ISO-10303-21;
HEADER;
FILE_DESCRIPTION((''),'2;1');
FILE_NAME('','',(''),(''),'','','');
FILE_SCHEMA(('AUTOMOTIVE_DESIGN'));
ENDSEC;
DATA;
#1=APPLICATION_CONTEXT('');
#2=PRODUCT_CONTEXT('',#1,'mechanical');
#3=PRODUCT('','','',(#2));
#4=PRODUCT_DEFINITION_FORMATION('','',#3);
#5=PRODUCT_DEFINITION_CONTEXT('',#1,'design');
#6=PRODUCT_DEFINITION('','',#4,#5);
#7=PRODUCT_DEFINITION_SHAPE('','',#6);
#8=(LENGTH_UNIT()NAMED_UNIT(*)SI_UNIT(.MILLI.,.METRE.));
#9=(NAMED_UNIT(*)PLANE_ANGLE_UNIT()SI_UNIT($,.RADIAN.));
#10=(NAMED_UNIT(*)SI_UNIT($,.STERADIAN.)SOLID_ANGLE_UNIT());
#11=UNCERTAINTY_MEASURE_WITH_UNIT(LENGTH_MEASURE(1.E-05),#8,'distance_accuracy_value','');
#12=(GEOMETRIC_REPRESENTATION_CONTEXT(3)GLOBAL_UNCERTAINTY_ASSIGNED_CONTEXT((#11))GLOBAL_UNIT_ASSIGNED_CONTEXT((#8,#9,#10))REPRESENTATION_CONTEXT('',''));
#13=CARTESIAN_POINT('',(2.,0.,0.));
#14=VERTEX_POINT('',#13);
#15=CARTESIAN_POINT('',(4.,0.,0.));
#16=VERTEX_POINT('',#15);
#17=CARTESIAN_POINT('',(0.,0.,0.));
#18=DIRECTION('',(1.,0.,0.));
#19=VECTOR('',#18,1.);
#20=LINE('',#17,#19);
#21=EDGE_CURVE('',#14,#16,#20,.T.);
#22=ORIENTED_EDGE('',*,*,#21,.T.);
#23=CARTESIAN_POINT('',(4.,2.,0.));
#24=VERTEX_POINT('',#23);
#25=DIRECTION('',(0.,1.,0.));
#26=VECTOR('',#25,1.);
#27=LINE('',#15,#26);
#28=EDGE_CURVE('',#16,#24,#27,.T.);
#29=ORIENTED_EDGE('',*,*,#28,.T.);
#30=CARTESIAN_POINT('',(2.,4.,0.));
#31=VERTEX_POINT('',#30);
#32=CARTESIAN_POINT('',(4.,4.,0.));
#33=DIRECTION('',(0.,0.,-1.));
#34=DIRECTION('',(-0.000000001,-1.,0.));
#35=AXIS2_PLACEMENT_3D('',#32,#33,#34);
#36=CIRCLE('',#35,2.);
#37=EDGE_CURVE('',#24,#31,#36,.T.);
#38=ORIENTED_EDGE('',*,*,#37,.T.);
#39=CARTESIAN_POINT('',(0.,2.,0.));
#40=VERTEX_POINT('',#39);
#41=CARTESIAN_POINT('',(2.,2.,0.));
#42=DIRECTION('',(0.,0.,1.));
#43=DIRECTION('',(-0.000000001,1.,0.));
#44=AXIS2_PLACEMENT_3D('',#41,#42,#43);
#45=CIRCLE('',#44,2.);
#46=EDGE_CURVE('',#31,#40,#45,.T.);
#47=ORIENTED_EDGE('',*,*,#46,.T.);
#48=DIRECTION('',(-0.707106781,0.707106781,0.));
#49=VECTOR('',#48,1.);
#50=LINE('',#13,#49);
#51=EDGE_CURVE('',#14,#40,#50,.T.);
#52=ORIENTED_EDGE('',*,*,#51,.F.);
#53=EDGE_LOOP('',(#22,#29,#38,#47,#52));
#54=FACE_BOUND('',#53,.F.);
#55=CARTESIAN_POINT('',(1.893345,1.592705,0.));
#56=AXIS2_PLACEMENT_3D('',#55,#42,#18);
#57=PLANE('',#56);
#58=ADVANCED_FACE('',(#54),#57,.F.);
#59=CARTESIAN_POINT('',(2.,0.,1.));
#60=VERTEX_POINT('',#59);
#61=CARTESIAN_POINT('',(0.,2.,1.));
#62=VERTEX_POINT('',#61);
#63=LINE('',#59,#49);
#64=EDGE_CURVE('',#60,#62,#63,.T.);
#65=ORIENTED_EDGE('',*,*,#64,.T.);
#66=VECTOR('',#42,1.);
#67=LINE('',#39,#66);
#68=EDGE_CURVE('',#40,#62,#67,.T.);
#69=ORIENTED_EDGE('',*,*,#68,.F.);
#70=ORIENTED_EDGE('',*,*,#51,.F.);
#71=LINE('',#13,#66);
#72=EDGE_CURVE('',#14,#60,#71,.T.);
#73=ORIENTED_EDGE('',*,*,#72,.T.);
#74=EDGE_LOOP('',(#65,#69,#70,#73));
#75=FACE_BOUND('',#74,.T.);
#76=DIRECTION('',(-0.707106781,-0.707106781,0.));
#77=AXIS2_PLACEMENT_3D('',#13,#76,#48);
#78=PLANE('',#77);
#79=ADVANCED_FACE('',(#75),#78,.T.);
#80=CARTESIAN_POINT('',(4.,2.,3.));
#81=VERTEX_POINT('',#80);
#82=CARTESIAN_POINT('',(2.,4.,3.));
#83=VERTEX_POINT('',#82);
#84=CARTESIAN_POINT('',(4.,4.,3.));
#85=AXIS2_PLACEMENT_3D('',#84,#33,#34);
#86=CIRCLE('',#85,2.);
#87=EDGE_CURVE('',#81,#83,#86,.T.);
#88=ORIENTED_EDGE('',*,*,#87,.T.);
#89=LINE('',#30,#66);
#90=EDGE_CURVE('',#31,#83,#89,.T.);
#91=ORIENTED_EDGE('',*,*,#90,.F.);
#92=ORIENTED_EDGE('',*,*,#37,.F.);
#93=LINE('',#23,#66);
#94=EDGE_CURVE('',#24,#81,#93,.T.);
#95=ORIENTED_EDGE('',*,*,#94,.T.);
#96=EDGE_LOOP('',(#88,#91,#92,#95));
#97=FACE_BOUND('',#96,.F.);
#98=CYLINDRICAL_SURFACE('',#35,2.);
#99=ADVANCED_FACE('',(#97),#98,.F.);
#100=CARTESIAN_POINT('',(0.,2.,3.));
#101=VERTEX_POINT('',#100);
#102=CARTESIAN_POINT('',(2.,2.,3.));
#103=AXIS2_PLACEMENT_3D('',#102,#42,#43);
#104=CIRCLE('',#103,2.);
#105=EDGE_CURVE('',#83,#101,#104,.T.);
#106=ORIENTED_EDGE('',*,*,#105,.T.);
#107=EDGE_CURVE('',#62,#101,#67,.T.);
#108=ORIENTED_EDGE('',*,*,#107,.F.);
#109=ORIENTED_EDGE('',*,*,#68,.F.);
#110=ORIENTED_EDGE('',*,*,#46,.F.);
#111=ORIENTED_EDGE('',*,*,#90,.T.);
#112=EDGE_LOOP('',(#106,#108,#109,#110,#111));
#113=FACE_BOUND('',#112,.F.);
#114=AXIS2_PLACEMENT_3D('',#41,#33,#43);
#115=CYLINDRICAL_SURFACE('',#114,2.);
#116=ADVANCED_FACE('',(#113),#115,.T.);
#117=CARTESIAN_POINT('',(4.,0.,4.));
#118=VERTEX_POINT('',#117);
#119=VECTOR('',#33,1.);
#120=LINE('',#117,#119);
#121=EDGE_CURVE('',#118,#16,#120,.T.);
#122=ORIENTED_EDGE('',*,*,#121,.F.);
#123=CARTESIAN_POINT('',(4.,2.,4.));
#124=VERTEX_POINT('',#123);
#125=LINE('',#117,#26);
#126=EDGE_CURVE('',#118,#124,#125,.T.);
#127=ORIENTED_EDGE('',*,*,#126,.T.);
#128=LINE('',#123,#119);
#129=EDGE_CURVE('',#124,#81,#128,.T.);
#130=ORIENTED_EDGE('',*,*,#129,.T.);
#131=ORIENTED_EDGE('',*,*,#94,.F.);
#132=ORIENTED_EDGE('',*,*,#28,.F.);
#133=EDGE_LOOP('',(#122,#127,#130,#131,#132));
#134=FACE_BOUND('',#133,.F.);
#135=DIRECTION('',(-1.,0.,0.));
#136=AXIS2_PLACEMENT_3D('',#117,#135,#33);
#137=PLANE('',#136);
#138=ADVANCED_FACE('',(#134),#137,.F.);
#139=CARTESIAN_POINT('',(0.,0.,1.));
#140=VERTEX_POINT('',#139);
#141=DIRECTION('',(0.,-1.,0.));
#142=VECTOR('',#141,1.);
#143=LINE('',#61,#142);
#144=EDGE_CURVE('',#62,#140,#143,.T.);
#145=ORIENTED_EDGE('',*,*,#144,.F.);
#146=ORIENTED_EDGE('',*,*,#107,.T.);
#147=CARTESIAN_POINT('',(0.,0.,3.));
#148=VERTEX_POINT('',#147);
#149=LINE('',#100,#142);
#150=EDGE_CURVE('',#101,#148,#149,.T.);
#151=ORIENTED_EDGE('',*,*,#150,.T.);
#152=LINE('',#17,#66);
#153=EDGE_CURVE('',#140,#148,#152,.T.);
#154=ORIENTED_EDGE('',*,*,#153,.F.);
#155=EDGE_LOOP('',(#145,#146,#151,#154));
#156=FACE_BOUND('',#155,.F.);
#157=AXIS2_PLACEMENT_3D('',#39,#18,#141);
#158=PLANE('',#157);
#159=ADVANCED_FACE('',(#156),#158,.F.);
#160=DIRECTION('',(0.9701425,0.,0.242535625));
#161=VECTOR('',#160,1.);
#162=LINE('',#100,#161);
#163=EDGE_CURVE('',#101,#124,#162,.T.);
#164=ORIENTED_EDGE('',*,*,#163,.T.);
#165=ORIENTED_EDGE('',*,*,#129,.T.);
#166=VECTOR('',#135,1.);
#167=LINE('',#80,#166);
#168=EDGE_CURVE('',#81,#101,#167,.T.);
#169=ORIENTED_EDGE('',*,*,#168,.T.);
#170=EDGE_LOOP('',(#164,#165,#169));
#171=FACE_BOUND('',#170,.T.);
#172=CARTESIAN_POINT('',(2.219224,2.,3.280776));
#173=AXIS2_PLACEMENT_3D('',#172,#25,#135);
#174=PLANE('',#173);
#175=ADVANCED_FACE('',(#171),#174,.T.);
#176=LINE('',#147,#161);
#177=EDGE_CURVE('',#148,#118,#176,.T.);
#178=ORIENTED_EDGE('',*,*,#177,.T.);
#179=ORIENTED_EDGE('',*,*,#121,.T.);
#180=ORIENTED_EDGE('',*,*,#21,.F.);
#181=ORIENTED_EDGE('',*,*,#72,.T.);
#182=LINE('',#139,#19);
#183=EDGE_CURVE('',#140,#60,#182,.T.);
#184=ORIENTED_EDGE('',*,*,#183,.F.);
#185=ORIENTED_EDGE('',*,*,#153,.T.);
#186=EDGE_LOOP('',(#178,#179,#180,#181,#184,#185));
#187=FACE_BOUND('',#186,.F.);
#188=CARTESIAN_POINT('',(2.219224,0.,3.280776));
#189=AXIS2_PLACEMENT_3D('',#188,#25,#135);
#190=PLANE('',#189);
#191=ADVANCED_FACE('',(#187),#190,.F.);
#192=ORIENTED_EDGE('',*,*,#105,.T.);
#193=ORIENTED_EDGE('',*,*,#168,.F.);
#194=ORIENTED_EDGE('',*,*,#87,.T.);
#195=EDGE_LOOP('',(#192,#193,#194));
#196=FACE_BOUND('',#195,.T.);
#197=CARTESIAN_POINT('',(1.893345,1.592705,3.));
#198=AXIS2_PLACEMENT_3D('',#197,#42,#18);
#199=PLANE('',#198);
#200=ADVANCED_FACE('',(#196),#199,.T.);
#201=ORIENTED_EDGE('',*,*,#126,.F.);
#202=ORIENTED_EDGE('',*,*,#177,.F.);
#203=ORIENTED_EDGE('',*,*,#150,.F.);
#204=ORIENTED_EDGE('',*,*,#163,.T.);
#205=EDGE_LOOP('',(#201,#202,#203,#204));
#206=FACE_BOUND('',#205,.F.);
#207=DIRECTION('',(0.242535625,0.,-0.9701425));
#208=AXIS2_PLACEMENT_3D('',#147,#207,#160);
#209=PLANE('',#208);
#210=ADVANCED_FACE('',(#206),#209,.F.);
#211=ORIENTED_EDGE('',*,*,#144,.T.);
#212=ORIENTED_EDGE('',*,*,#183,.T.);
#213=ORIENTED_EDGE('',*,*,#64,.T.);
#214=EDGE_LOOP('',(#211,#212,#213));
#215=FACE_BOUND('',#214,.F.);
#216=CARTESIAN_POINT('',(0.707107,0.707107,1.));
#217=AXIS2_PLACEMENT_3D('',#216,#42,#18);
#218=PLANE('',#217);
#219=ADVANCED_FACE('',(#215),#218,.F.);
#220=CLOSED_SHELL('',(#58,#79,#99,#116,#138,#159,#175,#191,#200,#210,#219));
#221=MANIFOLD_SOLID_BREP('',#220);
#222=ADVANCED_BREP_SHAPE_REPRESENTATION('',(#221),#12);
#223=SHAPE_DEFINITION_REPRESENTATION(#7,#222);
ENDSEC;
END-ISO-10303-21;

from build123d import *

# Parameters (mm, degrees)
BOSS_EXTRUDE1_DEPTH = 3
BOSS_EXTRUDE2_DEPTH = 2
CUT_EXTRUDE1_DEPTH  = 1


with BuildPart() as part:
    # Sketch1 → Boss-Extrude1 (new body)
    with BuildSketch(Plane.XY):
        with BuildLine():
            Line((0, 0), (4, 0))
            Line((4, 0), (4, 2))
            ThreePointArc((4, 2), (2.585786438, 2.585786438), (2, 4))
            ThreePointArc((2, 4), (0.585786438, 3.414213562), (0, 2))
            Line((0, 2), (0, 0))
        make_face()
    extrude(amount=BOSS_EXTRUDE1_DEPTH)

    # Sketch2 → Boss-Extrude2 (add)
    with BuildSketch(Plane.XZ):
        Polygon((0, 3), (4, 4), (4, 3), align=None)
    extrude(amount=-BOSS_EXTRUDE2_DEPTH)

    # Sketch4 → Cut-Extrude1 (cut)
    with BuildSketch(Plane(origin=(0, 0, 0), x_dir=(-1, 0, 0), z_dir=(0, 0, -1))):
        Polygon((-2, 0), (0, 2), (0, 0), align=None)
    extrude(amount=-CUT_EXTRUDE1_DEPTH, mode=Mode.SUBTRACT)


solid = part.part
